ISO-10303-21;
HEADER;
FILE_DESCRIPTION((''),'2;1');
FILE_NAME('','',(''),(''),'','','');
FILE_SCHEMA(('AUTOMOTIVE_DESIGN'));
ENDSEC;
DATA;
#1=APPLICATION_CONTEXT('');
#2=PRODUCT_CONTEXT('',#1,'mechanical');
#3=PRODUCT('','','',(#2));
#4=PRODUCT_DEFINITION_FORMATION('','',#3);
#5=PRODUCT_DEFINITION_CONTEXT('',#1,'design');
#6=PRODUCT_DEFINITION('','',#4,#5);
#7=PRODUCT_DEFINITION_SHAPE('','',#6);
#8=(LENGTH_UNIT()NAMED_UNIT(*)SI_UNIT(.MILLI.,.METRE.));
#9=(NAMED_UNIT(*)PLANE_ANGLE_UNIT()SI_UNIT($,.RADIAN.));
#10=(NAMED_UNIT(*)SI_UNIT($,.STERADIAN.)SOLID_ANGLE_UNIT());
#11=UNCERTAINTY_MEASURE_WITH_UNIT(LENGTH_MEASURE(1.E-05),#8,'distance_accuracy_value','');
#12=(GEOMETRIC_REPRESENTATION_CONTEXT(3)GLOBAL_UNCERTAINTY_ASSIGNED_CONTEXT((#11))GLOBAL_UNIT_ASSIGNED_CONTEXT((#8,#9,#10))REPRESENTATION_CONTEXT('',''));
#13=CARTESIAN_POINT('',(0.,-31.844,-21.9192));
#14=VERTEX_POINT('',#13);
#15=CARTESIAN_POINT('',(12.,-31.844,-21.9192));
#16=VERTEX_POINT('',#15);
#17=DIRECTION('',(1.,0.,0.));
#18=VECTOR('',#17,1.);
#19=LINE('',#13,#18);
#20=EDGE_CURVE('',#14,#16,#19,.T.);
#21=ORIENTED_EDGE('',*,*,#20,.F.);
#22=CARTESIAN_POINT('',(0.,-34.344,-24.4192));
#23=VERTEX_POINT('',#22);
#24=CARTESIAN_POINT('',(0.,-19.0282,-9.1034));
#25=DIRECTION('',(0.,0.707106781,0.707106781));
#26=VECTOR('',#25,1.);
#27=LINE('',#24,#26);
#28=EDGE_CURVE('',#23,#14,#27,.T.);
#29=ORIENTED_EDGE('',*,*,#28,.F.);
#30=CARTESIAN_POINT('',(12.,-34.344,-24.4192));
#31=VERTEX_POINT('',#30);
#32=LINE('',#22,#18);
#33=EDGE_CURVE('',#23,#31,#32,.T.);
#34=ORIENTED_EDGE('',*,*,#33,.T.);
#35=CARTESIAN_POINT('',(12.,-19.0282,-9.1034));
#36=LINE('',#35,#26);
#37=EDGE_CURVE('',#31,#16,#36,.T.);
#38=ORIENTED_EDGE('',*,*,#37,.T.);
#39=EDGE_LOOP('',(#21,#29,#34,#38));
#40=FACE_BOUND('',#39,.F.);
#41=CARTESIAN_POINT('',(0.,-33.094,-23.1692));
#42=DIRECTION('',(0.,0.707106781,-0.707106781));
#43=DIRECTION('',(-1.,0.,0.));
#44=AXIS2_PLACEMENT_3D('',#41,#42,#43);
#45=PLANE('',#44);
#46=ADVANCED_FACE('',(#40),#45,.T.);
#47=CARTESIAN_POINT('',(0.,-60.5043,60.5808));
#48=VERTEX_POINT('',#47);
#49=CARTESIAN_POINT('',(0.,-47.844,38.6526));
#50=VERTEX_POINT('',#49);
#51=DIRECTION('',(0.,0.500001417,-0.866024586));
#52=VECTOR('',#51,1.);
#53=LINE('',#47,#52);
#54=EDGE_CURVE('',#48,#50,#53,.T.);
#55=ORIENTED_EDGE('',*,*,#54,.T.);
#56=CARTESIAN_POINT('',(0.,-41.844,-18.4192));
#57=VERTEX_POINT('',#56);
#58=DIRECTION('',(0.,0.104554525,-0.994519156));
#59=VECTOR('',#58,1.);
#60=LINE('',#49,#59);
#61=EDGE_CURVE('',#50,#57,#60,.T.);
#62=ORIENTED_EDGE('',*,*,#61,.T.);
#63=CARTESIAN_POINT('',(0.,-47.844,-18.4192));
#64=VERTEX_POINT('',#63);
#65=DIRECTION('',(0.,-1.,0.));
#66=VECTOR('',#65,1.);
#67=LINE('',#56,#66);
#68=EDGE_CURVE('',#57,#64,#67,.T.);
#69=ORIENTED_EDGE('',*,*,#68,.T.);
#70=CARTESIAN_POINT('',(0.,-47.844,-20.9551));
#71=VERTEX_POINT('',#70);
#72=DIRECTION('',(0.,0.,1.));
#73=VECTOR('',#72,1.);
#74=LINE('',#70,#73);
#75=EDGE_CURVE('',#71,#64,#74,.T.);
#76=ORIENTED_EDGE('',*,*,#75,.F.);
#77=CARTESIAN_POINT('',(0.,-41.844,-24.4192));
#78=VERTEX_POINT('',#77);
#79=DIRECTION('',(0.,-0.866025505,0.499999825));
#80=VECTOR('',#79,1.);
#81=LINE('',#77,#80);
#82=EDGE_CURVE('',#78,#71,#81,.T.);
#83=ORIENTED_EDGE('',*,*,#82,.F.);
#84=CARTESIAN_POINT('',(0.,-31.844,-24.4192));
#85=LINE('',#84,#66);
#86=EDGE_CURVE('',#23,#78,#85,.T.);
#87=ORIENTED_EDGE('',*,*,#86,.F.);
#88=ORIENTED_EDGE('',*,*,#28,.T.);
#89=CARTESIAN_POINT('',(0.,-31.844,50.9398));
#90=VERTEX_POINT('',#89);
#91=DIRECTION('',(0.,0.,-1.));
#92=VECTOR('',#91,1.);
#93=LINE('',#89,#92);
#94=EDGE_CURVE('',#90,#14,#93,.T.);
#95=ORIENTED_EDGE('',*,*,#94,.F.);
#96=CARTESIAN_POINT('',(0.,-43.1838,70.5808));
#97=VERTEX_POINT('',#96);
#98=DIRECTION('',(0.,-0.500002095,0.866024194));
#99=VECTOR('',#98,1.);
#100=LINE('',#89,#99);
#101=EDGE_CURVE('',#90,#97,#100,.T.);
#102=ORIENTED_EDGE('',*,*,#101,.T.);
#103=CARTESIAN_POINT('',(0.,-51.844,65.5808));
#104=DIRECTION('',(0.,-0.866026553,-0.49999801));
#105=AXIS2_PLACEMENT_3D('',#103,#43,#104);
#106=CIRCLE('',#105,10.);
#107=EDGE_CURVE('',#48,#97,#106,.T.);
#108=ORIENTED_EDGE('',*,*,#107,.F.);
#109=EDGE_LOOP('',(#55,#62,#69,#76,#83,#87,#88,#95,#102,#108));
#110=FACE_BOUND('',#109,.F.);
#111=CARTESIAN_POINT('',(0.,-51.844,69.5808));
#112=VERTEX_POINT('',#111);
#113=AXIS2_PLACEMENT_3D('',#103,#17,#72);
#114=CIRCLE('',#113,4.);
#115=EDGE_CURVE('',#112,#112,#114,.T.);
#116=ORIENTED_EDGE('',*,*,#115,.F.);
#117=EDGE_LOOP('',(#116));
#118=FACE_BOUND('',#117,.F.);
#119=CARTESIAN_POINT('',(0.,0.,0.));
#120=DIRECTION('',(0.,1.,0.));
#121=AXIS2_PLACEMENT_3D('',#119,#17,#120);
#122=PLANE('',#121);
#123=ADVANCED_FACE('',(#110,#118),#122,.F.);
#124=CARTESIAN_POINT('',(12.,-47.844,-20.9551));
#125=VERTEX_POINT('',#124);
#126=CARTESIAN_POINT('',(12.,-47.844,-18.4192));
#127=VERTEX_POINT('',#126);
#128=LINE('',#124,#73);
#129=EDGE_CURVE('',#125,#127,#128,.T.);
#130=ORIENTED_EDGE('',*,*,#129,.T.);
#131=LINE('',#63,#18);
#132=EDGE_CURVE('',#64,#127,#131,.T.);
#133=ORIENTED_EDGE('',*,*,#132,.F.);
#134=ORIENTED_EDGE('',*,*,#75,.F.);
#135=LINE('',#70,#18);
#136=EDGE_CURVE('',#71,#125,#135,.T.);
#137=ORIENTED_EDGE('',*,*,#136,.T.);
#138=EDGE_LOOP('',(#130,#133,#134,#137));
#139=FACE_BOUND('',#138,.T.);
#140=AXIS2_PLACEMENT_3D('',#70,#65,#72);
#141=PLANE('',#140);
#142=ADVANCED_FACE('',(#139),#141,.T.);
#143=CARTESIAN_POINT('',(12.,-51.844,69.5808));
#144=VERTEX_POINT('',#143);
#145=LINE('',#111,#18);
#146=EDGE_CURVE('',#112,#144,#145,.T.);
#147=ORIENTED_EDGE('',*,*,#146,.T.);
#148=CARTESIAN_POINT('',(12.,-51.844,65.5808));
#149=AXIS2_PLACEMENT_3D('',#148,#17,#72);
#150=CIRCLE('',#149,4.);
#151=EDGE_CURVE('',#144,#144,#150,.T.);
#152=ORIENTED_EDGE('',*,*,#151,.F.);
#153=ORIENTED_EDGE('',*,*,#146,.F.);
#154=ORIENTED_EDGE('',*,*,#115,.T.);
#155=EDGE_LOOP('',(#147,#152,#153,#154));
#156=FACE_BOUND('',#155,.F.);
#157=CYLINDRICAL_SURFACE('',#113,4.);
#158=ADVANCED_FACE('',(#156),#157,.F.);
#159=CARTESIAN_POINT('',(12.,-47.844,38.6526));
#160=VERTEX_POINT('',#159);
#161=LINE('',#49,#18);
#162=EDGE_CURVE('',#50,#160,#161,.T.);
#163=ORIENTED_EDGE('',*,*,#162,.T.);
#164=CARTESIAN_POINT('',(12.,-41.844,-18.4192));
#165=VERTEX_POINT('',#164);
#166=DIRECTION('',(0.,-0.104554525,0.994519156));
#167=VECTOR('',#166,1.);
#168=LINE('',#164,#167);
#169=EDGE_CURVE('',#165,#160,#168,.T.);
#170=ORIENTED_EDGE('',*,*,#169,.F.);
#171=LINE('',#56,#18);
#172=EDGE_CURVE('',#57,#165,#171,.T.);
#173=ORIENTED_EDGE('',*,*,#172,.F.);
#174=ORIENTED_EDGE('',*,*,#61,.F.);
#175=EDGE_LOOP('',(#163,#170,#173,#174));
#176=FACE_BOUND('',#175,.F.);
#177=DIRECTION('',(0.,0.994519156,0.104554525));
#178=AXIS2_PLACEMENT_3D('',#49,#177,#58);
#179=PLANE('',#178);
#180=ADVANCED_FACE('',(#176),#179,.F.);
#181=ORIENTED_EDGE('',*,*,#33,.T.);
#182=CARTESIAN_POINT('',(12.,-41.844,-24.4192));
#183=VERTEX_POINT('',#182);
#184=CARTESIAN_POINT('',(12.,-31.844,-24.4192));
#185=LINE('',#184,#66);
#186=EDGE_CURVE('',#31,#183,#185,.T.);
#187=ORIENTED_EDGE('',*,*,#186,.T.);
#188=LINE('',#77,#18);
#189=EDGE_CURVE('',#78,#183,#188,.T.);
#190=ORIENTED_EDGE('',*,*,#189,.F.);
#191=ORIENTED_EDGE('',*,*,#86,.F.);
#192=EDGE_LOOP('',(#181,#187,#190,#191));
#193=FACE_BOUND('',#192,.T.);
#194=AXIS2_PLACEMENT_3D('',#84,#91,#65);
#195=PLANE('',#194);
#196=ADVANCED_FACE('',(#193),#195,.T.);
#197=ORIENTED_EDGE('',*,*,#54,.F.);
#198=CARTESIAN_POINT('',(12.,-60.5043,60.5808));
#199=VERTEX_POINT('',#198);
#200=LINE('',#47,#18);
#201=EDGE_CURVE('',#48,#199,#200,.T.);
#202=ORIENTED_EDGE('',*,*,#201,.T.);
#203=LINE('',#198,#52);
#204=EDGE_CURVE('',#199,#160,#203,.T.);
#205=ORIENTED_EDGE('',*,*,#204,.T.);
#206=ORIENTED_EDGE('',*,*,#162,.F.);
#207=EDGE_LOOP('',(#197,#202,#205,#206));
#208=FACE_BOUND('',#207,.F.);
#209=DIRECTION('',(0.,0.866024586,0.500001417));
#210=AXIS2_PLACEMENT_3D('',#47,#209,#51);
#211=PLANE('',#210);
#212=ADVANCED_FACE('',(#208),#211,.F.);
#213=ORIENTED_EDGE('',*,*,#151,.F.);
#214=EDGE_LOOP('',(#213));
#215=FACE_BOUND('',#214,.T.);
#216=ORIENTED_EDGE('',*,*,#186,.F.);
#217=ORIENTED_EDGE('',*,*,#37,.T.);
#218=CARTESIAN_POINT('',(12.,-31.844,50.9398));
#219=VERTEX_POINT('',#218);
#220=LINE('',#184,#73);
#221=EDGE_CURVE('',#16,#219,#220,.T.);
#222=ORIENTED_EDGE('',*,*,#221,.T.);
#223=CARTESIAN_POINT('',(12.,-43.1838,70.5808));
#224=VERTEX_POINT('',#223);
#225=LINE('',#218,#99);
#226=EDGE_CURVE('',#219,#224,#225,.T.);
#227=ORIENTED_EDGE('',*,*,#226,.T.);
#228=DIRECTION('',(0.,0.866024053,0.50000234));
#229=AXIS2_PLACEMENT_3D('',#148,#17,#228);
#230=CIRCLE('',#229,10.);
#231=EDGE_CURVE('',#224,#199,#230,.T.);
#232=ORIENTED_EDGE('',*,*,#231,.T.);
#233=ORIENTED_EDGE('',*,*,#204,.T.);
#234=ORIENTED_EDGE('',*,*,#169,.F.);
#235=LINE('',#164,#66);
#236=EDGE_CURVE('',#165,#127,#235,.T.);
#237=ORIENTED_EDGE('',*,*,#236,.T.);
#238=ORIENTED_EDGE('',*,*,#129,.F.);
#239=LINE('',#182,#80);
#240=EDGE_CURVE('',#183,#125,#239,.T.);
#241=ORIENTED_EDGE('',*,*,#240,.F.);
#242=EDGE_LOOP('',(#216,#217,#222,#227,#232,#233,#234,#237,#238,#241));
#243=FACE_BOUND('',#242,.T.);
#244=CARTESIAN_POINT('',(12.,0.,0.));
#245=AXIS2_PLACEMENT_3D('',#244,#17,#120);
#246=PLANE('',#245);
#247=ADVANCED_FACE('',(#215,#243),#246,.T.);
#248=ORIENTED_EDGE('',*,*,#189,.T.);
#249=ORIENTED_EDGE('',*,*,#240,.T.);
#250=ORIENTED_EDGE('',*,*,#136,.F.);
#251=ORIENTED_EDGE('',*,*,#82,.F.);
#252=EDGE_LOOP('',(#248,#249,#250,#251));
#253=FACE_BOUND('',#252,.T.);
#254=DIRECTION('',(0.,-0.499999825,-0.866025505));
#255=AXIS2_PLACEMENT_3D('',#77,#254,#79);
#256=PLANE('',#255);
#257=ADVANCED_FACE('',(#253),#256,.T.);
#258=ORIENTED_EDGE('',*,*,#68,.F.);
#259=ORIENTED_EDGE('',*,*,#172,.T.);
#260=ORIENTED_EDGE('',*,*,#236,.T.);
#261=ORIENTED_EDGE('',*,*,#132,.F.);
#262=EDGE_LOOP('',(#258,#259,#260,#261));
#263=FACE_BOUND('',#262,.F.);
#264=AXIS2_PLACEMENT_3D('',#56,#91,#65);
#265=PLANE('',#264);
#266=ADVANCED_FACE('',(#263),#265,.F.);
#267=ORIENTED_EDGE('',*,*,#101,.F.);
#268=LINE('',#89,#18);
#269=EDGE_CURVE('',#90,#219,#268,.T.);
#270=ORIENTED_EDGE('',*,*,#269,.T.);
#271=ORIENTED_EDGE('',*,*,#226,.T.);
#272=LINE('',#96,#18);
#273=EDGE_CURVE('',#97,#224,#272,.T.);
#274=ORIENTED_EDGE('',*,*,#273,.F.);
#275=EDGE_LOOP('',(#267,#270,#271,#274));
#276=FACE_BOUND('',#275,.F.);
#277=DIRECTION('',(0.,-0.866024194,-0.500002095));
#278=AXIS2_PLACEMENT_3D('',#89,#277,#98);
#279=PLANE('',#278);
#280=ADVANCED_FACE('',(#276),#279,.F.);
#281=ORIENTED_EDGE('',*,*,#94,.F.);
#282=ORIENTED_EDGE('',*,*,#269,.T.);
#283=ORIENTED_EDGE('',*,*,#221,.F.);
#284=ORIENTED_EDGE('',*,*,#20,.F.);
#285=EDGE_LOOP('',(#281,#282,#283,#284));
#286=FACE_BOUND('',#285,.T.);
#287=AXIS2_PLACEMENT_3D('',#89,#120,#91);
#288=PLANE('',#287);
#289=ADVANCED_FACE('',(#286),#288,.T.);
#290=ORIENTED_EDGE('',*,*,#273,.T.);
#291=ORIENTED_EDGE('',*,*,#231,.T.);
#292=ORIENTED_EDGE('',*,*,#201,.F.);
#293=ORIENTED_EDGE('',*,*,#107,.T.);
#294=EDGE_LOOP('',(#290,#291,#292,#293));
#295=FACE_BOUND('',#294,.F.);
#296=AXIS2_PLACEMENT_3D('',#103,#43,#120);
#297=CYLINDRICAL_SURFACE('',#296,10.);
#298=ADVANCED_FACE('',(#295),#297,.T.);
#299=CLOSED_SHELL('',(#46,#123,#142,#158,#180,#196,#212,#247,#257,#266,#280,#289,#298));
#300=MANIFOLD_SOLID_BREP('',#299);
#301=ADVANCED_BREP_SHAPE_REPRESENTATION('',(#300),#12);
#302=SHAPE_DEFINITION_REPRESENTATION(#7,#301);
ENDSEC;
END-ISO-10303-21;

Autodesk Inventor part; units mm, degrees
ref_plane "YZ Plane" through (0, 0, 0) normal (1, 0, 0) x (0, 1, 0)
ref_plane "XZ Plane" through (0, 0, 0) normal (0, 1, 0) x (-1, 0, 0)
ref_plane "XY Plane" through (0, 0, 0) normal (0, 0, 1) x (1, 0, 0)
sketch "Skizze1" plane through (0, 0, 0) normal (1, 0, 0) x (0, 1, 0)
  line L0 (-88.8183, 0) -> (21.3265, 0) projected
  line L1 (0, -72.4192) -> (0, 123.5808) projected
  line L2 (-61.844, -44.4192) -> (-61.844, 95.5808)
  line L3 (-31.844, 50.9398) -> (-31.844, -24.4192)
  line L4 (-41.844, -18.4192) -> (-47.844, -18.4192)
  line L5 (-41.844, -24.4192) -> (-47.844, -20.9551)
  line L6 (-41.844, -24.4192) -> (-34.9129, -24.4192) construction
  line L7 (-31.844, 50.9398) -> (-43.1838, 70.5808)
  line L8 (-31.844, 50.9398) -> (-5.6477, 50.9398) construction
  circle A0 centre (-51.844, 65.5808) radius 10
  line L9 (-60.5043, 60.5808) -> (-47.844, 38.6526)
  line L10 (-61.844, 62.7769) -> (-45.1591, 62.7769) construction
  line L11 (-47.844, 38.6526) -> (-41.844, -18.4192)
  line L12 (-31.844, -24.4192) -> (-41.844, -24.4192)
  line L13 (-47.844, -20.9551) -> (-47.844, -18.4192)
  line L14 (-73.0833, 75.5808) -> (5.5916, 75.5808)
  point P0 (0, 0)
  point P1 (-61.844, 75.5808)
  point P2 (-37.5139, 60.7603)
  dimension "d0" = 150
  dimension "d1" = 120
  dimension "d2" = 60
  dimension "d3" = 6
  dimension "d4" = 16
  dimension "d5" = 10
  dimension "d6" = 20
  dimension "d7" = 30
  dimension "d8" = 16
extrude "Extrusion1" add sketch "Skizze1" along normal blind 12 contours L11 L9 A0 L7 L3 L0 | L0 L3 L12 L5 L13 L4 L11 | A0
hole "Bohrung1" at (0, -51.844, 65.5808) direction (1, 0, 0) diameter 8 end through all
chamfer "Fasen1" distance 2.5 angle 45 1 edges at (6, -31.844, -24.4192) measured on face at (4, -38.5107, -24.4192)
properties part number "Abzieher_Klaue1" material "1.0038 S235JR"
